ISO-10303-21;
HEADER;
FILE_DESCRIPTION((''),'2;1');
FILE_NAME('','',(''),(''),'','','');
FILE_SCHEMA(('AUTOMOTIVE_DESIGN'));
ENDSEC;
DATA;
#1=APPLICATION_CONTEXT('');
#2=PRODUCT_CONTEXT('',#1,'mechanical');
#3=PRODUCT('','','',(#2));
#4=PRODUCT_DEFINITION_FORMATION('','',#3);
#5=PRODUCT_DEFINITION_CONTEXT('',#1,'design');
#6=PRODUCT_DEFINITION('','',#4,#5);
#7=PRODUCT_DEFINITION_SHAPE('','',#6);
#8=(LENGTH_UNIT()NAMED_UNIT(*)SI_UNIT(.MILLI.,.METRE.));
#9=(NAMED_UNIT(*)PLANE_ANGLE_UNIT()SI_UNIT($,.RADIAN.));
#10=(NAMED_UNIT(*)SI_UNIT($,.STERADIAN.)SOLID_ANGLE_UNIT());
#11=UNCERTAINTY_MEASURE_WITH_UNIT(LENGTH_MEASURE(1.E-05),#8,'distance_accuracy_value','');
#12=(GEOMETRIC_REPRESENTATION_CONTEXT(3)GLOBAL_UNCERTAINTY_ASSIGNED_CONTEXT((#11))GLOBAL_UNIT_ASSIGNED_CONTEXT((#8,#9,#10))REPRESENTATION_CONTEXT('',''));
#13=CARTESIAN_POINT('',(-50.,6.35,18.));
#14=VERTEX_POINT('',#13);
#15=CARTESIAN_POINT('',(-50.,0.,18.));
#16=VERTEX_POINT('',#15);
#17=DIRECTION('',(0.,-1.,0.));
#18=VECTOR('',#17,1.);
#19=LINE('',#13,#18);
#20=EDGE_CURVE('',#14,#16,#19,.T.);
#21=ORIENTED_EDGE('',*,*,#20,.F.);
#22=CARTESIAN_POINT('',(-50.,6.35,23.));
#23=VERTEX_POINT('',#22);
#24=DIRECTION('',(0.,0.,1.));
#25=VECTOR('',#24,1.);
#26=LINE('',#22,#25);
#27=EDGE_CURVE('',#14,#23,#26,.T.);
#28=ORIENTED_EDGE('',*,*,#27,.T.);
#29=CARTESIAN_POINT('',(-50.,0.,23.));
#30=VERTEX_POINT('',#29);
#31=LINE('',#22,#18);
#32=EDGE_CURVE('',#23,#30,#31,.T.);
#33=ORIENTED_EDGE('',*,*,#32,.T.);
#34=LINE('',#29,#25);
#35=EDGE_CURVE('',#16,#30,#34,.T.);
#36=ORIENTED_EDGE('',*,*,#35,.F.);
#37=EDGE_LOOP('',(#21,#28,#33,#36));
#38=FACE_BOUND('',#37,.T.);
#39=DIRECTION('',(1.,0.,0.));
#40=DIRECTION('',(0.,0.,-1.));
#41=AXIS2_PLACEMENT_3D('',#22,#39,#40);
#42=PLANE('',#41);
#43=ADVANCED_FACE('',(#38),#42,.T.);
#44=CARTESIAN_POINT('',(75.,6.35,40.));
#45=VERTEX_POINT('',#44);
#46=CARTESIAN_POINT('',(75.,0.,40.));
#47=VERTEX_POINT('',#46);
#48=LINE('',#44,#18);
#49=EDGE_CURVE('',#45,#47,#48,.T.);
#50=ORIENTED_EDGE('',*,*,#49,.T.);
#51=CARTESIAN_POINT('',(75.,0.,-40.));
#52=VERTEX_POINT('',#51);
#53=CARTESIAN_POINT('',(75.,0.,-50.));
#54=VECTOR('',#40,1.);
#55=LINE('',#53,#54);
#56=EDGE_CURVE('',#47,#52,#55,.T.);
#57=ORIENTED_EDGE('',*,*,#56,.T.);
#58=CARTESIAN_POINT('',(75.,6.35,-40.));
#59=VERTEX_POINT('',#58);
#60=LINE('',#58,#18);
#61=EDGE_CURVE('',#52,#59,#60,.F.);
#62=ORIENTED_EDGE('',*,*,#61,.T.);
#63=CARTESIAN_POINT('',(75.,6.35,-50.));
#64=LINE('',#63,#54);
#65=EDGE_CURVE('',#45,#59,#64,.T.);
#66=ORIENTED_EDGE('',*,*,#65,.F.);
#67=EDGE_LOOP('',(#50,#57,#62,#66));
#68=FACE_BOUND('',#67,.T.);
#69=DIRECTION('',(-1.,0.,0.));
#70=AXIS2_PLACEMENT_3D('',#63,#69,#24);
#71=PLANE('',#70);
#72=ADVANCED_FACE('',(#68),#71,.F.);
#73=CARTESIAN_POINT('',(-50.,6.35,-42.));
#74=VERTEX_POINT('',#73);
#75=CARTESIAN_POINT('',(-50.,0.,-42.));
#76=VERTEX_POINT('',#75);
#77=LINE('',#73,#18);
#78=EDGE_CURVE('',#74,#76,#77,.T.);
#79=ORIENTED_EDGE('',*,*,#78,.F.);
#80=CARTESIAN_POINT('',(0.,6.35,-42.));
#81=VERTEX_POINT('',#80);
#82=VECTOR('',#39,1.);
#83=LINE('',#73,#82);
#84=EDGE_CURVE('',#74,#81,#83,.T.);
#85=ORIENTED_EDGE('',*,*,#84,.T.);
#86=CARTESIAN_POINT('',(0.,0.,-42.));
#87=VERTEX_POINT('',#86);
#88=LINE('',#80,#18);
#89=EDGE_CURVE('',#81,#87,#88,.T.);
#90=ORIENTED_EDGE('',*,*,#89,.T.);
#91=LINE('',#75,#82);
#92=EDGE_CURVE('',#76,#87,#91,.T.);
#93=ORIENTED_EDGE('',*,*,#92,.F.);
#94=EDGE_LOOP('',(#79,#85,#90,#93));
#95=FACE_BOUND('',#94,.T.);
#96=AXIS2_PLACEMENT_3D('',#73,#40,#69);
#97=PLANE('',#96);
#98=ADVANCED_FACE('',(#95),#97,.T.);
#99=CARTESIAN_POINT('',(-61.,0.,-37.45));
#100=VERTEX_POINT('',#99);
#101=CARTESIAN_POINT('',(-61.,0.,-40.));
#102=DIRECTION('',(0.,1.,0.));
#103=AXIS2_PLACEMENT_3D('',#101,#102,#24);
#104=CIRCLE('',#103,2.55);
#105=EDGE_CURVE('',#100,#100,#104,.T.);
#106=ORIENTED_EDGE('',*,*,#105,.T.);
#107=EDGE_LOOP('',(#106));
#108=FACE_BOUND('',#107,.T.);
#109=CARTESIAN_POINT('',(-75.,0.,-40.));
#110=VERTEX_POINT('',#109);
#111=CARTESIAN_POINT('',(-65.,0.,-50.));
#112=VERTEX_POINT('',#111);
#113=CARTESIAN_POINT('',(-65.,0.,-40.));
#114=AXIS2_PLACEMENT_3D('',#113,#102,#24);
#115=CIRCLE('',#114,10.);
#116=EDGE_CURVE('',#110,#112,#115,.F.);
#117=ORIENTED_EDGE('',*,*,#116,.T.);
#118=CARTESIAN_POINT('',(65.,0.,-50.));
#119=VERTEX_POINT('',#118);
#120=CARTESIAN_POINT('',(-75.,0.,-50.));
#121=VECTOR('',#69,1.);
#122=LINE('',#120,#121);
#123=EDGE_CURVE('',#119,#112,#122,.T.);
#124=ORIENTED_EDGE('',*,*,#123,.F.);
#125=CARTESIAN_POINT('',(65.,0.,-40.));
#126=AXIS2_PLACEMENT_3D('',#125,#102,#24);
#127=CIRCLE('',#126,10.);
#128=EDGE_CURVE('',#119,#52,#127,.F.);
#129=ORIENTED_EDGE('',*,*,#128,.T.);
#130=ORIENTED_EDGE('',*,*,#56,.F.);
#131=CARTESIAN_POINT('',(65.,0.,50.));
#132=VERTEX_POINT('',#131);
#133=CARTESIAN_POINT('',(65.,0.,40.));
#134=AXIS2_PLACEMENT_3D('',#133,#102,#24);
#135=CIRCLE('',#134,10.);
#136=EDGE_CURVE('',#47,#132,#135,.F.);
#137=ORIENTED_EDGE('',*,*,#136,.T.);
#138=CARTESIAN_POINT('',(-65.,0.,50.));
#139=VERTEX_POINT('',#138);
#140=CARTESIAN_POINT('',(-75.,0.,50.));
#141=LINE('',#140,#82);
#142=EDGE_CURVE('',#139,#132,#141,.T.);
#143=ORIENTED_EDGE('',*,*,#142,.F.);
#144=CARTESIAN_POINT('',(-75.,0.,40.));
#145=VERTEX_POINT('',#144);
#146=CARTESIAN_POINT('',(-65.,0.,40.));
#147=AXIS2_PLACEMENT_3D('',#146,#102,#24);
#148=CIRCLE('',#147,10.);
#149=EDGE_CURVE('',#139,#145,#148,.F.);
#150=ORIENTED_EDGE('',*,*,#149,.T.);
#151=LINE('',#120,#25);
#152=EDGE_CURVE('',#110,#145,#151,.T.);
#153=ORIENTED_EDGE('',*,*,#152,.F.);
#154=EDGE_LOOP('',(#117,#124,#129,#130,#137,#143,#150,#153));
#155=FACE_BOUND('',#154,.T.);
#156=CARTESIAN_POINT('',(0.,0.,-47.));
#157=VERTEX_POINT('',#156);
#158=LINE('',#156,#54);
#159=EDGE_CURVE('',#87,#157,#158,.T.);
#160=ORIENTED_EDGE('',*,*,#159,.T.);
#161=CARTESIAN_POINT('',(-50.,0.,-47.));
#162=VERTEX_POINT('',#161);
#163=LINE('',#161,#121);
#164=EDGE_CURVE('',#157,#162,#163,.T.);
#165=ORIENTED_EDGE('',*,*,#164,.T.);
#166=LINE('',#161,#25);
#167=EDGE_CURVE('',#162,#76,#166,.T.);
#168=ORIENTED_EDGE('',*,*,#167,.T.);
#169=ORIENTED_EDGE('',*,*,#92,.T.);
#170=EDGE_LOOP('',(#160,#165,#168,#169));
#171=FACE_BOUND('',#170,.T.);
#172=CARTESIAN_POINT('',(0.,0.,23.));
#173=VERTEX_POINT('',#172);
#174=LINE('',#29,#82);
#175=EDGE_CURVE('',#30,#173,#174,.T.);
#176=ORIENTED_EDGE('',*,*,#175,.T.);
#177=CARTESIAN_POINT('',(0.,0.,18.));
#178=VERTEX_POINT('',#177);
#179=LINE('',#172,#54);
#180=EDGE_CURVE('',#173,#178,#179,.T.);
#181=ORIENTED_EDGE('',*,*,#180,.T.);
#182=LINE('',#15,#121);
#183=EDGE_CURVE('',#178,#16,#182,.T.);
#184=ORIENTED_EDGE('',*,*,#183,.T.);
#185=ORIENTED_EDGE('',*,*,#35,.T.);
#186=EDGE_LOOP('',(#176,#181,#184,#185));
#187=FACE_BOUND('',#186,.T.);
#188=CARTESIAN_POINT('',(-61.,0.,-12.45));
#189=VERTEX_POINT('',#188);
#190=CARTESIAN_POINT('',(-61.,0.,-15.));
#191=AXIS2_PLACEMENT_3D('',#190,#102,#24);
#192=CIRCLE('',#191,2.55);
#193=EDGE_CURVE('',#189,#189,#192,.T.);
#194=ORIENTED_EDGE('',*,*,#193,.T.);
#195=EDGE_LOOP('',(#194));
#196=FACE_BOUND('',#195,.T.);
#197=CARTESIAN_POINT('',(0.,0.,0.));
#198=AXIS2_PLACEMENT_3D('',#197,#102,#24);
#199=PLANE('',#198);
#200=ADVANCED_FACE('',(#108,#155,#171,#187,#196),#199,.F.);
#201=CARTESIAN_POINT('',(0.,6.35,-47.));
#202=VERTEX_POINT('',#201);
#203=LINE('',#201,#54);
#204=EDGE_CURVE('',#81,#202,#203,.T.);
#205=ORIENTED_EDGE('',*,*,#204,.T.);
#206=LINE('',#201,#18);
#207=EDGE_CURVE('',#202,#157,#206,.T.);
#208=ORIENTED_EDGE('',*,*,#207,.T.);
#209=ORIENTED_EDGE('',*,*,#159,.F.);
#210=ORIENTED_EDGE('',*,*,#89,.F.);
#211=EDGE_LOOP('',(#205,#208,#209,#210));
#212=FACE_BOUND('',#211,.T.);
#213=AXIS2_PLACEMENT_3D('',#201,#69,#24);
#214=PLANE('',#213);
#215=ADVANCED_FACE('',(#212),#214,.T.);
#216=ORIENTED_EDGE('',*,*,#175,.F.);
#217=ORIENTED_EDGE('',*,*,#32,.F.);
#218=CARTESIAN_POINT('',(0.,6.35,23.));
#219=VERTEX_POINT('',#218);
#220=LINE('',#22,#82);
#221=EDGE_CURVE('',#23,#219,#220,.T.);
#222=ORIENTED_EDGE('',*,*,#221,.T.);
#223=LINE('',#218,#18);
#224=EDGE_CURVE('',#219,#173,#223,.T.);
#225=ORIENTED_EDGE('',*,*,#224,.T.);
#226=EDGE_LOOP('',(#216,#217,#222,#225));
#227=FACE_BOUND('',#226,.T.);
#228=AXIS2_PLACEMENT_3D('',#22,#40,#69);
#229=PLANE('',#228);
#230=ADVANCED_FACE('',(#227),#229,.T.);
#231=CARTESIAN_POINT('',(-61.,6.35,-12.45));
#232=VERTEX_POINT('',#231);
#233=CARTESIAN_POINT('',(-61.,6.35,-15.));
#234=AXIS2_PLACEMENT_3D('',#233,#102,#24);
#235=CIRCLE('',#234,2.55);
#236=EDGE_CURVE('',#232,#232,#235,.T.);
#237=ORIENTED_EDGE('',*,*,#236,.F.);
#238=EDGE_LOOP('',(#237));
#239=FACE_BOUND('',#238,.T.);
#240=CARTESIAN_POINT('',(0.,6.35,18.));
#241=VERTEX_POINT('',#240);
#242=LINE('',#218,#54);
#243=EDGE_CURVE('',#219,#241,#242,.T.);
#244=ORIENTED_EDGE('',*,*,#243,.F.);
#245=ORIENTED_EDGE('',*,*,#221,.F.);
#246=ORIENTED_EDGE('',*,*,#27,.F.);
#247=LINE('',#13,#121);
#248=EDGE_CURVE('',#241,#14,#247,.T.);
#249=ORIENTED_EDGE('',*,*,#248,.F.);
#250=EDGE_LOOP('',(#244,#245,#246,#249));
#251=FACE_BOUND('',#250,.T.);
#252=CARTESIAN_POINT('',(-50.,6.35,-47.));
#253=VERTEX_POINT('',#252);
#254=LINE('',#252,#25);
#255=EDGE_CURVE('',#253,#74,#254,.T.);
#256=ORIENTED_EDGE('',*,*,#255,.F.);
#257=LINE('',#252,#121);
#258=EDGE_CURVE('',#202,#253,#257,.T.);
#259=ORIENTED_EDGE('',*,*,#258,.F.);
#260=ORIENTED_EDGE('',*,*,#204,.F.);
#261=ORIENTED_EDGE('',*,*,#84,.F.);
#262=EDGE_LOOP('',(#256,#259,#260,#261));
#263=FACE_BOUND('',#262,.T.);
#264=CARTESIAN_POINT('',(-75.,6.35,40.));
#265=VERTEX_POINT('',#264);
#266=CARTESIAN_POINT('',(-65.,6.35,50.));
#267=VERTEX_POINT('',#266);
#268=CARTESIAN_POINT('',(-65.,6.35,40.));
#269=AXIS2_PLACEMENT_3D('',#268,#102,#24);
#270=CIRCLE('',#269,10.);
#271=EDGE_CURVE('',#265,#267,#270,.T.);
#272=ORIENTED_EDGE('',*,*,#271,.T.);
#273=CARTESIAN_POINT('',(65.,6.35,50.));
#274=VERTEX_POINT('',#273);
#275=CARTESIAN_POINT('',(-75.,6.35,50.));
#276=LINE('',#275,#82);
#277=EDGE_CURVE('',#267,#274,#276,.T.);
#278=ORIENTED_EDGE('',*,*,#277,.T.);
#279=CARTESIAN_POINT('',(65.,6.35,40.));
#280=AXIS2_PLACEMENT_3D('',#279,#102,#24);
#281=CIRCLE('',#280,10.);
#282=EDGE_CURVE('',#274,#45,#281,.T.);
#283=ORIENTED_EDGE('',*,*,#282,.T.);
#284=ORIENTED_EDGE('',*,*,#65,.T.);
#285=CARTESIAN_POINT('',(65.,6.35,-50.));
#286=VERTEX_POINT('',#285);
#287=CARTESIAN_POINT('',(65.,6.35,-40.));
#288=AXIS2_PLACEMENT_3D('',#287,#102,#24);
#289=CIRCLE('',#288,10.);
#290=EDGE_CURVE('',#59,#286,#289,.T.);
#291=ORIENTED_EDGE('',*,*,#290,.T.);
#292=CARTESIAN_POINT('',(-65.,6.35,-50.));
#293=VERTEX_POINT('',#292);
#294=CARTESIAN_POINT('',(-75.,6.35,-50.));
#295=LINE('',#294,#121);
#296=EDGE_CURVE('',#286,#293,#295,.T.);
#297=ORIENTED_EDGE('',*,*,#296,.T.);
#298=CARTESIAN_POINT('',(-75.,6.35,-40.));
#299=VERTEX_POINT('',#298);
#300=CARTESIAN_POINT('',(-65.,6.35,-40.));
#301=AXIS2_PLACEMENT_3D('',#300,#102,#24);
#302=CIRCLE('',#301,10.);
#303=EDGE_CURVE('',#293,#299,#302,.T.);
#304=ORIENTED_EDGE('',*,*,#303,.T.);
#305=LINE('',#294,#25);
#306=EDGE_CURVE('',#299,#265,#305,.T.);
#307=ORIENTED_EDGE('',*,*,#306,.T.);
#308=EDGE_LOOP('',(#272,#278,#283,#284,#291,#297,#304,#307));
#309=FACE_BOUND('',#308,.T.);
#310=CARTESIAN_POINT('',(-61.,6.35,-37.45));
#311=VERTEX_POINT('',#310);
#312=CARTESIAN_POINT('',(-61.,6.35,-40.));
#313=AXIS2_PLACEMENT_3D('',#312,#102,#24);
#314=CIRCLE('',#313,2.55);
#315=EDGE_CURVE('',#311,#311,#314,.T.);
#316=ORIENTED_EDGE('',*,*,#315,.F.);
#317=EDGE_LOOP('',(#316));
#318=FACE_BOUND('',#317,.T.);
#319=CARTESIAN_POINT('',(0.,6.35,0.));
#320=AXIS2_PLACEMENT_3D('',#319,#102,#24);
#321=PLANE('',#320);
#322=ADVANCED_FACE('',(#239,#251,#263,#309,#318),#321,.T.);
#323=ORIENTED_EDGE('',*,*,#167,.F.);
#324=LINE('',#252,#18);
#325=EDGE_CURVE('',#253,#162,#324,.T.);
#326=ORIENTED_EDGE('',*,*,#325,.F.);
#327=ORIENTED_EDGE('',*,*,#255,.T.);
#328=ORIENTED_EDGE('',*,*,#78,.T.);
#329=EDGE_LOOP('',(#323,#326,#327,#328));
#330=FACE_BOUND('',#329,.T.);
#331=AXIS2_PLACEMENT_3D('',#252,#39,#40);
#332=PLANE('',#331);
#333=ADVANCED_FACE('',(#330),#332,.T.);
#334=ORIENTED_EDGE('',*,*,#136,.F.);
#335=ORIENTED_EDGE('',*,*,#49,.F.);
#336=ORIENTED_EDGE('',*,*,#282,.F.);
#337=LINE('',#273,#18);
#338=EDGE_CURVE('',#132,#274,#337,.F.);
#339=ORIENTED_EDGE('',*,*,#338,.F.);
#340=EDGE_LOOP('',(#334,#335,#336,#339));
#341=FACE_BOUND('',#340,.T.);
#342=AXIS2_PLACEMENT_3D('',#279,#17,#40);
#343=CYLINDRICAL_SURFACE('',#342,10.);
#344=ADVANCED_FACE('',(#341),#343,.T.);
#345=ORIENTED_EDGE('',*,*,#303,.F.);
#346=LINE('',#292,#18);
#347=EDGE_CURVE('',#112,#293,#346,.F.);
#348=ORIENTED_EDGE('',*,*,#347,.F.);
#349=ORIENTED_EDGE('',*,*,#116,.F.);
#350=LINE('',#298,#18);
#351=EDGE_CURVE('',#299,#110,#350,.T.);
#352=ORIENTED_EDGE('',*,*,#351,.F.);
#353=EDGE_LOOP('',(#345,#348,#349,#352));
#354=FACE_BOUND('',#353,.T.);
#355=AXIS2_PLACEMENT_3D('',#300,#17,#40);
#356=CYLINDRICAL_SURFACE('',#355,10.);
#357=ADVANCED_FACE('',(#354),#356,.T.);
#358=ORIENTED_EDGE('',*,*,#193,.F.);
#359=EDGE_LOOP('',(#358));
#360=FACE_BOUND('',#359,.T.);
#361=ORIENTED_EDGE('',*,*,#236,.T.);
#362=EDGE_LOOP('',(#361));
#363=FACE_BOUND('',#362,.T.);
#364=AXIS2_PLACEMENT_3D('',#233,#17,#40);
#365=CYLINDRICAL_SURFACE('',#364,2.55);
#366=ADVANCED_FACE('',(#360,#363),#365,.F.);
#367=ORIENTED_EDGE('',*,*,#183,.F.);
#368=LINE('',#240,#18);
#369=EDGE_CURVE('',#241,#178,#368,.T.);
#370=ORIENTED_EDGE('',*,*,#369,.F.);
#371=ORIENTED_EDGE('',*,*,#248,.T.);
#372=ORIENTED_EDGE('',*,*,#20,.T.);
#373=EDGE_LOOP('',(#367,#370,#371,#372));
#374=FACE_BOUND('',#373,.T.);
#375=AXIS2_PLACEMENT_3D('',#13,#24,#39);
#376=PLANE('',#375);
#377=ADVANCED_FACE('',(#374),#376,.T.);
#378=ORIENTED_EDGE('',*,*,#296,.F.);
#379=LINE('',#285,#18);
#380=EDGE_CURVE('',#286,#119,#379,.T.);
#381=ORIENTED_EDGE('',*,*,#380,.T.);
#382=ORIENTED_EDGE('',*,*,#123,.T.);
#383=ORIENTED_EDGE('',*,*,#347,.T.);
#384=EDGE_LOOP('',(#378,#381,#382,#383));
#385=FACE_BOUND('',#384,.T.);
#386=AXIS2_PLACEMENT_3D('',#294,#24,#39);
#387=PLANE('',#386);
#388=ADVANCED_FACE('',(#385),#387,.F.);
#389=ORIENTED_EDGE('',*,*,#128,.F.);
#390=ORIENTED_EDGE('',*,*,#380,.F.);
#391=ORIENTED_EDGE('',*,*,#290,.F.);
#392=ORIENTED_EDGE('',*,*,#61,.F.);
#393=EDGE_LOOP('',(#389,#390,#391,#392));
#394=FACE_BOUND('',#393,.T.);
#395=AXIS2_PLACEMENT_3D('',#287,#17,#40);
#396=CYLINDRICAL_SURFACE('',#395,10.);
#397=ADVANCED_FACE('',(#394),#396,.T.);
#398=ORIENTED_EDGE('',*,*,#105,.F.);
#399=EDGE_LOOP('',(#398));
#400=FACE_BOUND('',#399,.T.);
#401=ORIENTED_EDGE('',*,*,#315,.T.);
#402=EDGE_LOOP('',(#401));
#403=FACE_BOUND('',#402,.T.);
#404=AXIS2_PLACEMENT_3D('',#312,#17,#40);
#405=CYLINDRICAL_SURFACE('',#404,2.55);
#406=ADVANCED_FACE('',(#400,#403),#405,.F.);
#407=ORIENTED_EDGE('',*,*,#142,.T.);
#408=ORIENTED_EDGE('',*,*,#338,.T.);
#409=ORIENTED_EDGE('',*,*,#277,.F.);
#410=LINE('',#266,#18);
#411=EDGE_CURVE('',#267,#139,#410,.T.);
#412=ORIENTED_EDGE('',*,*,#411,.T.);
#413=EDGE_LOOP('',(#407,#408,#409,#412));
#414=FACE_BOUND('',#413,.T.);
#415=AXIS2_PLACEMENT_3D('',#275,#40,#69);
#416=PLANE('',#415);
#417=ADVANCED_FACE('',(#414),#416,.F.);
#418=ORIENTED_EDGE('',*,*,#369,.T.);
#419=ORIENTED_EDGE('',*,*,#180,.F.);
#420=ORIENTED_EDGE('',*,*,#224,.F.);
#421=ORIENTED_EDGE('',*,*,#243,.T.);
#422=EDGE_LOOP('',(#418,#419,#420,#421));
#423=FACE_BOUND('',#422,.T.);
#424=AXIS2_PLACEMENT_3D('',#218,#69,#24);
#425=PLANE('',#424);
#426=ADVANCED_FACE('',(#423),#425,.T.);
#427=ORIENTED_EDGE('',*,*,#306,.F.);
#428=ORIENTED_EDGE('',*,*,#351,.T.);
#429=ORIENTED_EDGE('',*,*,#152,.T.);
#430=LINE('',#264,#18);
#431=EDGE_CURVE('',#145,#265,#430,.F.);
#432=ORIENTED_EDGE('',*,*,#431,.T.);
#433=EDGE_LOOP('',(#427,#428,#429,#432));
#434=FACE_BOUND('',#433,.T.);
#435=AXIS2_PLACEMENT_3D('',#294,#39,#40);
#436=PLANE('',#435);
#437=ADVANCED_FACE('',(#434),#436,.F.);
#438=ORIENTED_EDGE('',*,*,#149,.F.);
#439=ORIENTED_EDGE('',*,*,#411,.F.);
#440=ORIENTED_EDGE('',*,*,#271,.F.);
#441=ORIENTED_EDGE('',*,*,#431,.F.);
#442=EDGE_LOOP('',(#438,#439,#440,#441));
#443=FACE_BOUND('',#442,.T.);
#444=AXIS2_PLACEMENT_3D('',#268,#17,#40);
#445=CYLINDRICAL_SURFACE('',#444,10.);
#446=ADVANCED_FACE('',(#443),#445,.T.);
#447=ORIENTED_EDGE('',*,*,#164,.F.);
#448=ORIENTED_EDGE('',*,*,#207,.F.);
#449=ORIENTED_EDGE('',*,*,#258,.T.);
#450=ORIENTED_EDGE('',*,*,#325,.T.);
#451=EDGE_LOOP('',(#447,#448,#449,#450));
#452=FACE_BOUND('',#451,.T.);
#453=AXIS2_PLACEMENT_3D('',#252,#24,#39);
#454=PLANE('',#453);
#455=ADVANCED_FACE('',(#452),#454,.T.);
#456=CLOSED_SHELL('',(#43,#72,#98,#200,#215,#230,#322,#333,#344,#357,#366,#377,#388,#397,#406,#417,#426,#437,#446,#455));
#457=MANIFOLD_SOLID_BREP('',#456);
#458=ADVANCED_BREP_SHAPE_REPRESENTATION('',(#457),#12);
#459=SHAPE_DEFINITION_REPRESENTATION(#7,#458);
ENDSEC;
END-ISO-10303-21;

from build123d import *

# Parameters (mm, degrees)
SKETCH1_W           = 150
SKETCH1_H           = 100
SKETCH1_R           = 2.55
SKETCH1_W_2         = 50
SKETCH1_H_2         = 5
BOSS_EXTRUDE1_DEPTH = 6.35
FILLET1_R           = 10


with BuildPart() as part:
    # Sketch1 → Boss-Extrude1 (new body)
    with BuildSketch(Plane(origin=(0, 0, 0), x_dir=(1, 0, 0), z_dir=(0, 1, 0))):
        Rectangle(SKETCH1_W, SKETCH1_H)
        with Locations(Location((-61, 40, 0), (0, 0, 270))):
            Circle(SKETCH1_R, mode=Mode.SUBTRACT)
        with Locations(Location((-61, 15, 0), (0, 0, 270))):
            Circle(SKETCH1_R, mode=Mode.SUBTRACT)
        with Locations((-25, 44.5)):
            Rectangle(SKETCH1_W_2, SKETCH1_H_2, mode=Mode.SUBTRACT)
        with Locations((-25, -20.5)):
            Rectangle(SKETCH1_W_2, SKETCH1_H_2, mode=Mode.SUBTRACT)
    extrude(amount=BOSS_EXTRUDE1_DEPTH)

    # Fillet1
    fillet1_edges = [part.edges().sort_by_distance(p)[0] for p in [
        (75, 3.175, 50),
        (-75, 3.175, 50),
        (-75, 3.175, -50),
        (75, 3.175, -50),
    ]]
    fillet(fillet1_edges, radius=FILLET1_R)


solid = part.part
